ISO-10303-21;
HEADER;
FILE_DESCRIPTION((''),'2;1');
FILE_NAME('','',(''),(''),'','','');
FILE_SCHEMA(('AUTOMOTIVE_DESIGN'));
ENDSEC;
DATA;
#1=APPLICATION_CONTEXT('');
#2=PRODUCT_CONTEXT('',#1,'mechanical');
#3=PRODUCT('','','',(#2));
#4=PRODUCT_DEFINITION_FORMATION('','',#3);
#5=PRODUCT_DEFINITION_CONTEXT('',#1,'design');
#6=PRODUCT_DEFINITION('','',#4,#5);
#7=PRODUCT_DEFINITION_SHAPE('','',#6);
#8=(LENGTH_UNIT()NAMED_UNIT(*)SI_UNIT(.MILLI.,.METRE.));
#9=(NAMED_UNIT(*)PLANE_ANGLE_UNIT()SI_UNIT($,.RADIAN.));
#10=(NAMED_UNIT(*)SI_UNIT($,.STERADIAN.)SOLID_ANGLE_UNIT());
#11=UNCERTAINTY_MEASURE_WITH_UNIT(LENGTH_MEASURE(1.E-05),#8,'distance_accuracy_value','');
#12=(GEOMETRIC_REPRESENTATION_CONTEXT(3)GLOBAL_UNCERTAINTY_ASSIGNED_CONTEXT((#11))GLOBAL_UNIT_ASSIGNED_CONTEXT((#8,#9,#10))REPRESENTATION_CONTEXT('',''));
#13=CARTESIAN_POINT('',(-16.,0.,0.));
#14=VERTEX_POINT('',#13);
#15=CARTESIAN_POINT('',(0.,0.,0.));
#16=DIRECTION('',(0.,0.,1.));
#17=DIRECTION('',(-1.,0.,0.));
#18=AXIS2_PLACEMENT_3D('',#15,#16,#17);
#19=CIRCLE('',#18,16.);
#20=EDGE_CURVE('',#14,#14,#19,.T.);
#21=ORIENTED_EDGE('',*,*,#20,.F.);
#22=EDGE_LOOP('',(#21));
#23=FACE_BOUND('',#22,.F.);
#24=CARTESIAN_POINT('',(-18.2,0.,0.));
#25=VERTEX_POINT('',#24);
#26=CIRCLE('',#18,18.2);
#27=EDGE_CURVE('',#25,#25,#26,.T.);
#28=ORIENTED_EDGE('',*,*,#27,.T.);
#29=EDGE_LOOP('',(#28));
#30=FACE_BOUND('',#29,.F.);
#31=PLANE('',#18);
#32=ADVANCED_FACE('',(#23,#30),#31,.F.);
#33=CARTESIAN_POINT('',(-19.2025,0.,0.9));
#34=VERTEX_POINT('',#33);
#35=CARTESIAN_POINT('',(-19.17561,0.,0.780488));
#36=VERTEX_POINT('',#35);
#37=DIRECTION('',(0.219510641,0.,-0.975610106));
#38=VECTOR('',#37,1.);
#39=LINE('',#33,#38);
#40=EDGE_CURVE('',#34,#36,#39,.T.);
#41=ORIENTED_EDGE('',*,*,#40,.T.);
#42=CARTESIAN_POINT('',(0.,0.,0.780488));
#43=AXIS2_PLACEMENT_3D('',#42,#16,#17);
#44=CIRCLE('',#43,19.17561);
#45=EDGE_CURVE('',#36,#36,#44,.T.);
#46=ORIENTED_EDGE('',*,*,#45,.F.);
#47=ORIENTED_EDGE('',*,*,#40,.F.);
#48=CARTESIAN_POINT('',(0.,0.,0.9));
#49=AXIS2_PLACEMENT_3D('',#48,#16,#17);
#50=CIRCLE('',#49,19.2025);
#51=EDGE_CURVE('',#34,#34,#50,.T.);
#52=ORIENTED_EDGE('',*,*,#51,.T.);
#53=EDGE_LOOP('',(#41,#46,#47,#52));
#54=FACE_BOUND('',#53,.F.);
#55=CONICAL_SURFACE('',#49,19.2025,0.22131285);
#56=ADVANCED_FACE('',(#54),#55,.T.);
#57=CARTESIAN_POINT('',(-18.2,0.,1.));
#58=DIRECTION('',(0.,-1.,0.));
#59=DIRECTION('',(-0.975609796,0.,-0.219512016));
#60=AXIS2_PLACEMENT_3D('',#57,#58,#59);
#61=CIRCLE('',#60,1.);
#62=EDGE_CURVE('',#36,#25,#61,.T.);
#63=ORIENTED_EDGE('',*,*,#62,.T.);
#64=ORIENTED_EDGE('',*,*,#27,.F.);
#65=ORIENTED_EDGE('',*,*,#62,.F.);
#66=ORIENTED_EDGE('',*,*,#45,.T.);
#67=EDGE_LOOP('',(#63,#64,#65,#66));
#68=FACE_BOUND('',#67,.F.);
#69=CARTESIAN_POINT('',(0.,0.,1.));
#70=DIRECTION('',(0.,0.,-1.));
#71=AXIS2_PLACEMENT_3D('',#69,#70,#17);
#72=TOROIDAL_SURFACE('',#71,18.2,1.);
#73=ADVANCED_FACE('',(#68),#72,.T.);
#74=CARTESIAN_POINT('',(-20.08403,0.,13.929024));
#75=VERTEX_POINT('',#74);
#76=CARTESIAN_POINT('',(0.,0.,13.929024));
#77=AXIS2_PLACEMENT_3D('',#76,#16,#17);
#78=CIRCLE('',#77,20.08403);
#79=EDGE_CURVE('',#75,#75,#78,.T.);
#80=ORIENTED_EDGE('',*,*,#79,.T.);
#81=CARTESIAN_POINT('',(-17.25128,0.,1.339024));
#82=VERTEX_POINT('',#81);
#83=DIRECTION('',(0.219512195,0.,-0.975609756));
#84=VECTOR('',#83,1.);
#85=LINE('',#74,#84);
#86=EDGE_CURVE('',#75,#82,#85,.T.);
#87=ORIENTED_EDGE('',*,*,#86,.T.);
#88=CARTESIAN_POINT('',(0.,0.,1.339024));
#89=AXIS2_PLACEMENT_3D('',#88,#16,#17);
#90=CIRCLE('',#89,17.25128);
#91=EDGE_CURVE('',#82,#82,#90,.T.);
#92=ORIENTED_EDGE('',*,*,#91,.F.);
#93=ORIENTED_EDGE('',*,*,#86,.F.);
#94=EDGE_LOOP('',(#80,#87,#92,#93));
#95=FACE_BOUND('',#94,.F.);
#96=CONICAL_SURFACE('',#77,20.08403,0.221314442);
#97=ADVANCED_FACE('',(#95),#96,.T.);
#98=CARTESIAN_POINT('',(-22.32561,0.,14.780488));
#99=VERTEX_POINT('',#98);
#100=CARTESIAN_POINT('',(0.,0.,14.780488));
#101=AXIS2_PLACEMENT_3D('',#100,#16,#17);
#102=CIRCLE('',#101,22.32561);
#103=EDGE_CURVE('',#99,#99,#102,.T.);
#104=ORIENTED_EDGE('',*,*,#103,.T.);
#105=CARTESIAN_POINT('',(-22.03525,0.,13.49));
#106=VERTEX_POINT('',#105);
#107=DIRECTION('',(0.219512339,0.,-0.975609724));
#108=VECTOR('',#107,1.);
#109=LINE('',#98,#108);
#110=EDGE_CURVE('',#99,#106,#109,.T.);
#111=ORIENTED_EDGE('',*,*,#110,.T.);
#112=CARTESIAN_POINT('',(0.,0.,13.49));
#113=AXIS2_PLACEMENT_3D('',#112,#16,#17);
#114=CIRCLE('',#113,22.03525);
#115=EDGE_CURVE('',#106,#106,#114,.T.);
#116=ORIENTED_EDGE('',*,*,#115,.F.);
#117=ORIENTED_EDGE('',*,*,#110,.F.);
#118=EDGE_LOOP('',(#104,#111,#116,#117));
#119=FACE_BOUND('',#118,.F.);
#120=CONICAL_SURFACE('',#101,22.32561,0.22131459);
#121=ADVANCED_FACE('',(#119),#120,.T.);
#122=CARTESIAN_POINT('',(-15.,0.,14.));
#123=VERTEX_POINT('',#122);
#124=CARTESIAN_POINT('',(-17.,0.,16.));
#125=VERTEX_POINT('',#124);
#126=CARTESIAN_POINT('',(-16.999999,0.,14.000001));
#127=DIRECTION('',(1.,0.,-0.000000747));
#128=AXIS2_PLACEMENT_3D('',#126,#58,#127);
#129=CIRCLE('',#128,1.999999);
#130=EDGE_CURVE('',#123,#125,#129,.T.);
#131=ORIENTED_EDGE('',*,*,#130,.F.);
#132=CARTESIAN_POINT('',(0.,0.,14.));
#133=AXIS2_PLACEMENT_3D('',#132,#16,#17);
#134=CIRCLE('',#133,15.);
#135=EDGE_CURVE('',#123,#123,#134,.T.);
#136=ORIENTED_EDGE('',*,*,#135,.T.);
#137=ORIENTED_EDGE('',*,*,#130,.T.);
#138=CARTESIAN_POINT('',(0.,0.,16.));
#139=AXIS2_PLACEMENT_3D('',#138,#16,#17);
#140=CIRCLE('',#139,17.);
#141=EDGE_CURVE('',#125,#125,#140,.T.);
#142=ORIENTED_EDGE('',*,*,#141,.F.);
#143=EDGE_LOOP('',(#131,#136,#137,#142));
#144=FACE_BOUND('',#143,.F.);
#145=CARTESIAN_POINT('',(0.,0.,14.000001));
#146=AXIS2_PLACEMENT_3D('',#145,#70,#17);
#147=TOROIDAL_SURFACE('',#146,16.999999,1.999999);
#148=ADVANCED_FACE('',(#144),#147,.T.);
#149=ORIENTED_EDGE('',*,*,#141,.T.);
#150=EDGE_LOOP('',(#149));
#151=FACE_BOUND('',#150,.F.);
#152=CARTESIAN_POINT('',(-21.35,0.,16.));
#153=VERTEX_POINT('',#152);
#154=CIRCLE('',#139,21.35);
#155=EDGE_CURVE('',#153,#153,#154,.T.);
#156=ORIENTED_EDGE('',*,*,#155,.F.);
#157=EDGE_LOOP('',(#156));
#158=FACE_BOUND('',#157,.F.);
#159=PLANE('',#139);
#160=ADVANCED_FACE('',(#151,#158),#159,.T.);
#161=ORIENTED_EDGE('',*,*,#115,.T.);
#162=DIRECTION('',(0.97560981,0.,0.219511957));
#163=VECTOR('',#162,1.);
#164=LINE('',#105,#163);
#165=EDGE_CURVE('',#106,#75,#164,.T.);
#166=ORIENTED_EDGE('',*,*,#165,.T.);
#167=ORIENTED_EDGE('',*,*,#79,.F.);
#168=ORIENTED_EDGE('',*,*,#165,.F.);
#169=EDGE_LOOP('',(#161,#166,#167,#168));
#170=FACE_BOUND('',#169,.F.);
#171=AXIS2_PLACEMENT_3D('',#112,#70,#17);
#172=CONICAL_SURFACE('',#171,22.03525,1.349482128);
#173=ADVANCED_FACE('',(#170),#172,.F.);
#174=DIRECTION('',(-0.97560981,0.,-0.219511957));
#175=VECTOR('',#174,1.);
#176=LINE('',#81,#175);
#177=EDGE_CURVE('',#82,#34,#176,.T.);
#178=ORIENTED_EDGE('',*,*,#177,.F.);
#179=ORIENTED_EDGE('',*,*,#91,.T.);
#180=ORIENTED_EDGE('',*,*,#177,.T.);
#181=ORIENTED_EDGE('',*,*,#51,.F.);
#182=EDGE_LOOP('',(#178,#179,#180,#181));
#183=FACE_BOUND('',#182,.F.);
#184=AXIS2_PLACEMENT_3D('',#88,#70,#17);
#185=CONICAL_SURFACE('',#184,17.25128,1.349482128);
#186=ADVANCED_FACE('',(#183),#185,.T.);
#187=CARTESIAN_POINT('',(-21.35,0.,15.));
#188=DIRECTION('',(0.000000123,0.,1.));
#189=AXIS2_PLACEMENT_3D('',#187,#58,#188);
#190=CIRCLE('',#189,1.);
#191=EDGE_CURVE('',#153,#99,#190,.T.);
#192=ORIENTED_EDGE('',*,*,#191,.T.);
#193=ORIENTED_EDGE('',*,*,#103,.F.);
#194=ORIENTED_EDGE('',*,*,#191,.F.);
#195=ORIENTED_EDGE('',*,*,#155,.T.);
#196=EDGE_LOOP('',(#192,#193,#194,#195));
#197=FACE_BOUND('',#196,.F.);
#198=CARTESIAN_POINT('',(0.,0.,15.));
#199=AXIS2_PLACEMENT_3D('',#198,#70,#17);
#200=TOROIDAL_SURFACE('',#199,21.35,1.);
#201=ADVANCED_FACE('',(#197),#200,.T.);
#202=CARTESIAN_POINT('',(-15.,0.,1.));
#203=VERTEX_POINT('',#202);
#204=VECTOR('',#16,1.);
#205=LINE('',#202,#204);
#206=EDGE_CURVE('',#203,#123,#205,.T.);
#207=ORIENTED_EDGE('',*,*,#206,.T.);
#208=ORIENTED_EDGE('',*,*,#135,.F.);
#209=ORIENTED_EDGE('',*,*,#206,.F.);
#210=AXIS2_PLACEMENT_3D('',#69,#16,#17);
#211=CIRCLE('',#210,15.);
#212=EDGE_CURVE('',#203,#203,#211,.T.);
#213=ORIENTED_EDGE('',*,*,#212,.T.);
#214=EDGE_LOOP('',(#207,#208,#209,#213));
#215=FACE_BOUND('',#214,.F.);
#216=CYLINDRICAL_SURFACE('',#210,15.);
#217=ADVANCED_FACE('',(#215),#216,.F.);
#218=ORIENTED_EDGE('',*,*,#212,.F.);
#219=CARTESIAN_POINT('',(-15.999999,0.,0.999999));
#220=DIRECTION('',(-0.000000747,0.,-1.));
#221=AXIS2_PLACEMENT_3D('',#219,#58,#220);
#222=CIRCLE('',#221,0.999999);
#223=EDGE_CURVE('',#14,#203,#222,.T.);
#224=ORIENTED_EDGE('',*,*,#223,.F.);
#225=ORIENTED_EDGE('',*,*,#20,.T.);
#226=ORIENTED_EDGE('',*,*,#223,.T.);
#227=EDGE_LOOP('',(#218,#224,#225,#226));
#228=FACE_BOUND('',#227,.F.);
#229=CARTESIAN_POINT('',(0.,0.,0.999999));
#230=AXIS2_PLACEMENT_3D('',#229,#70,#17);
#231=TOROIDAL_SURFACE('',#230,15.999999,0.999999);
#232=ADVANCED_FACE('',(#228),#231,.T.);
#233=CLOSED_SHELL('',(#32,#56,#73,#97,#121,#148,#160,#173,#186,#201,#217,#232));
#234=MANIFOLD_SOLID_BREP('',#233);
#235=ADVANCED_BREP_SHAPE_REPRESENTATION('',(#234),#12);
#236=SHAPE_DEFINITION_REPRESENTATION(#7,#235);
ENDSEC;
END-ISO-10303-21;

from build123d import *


with BuildPart() as f1:
    # F0 (on Front) → F1 (revolve)
    with BuildSketch(Plane.XZ):
        with BuildLine():
            ThreePointArc((-16, 0), (-15.292893, 0.292893), (-15, 1))
            Line((-15, 1), (-15, 14))
            ThreePointArc((-15, 14), (-15.585786, 15.414214), (-17, 16))
            Line((-17, 16), (-21.35, 16))
            ThreePointArc((-21.35, 16), (-22.130869, 15.624695), (-22.32561, 14.780488))
            Line((-22.32561, 14.780488), (-22.03525, 13.49))
            Line((-22.03525, 13.49), (-20.08403, 13.929024))
            Line((-20.08403, 13.929024), (-17.25128, 1.339024))
            Line((-17.25128, 1.339024), (-19.2025, 0.9))
            Line((-19.2025, 0.9), (-19.17561, 0.780488))
            ThreePointArc((-19.17561, 0.780488), (-18.824695, 0.219131), (-18.2, 0))
            Line((-18.2, 0), (-16, 0))
        make_face()
    revolve(axis=Axis((0, 0, 8.91906), (0, 0, 1)))


solid = f1.part
